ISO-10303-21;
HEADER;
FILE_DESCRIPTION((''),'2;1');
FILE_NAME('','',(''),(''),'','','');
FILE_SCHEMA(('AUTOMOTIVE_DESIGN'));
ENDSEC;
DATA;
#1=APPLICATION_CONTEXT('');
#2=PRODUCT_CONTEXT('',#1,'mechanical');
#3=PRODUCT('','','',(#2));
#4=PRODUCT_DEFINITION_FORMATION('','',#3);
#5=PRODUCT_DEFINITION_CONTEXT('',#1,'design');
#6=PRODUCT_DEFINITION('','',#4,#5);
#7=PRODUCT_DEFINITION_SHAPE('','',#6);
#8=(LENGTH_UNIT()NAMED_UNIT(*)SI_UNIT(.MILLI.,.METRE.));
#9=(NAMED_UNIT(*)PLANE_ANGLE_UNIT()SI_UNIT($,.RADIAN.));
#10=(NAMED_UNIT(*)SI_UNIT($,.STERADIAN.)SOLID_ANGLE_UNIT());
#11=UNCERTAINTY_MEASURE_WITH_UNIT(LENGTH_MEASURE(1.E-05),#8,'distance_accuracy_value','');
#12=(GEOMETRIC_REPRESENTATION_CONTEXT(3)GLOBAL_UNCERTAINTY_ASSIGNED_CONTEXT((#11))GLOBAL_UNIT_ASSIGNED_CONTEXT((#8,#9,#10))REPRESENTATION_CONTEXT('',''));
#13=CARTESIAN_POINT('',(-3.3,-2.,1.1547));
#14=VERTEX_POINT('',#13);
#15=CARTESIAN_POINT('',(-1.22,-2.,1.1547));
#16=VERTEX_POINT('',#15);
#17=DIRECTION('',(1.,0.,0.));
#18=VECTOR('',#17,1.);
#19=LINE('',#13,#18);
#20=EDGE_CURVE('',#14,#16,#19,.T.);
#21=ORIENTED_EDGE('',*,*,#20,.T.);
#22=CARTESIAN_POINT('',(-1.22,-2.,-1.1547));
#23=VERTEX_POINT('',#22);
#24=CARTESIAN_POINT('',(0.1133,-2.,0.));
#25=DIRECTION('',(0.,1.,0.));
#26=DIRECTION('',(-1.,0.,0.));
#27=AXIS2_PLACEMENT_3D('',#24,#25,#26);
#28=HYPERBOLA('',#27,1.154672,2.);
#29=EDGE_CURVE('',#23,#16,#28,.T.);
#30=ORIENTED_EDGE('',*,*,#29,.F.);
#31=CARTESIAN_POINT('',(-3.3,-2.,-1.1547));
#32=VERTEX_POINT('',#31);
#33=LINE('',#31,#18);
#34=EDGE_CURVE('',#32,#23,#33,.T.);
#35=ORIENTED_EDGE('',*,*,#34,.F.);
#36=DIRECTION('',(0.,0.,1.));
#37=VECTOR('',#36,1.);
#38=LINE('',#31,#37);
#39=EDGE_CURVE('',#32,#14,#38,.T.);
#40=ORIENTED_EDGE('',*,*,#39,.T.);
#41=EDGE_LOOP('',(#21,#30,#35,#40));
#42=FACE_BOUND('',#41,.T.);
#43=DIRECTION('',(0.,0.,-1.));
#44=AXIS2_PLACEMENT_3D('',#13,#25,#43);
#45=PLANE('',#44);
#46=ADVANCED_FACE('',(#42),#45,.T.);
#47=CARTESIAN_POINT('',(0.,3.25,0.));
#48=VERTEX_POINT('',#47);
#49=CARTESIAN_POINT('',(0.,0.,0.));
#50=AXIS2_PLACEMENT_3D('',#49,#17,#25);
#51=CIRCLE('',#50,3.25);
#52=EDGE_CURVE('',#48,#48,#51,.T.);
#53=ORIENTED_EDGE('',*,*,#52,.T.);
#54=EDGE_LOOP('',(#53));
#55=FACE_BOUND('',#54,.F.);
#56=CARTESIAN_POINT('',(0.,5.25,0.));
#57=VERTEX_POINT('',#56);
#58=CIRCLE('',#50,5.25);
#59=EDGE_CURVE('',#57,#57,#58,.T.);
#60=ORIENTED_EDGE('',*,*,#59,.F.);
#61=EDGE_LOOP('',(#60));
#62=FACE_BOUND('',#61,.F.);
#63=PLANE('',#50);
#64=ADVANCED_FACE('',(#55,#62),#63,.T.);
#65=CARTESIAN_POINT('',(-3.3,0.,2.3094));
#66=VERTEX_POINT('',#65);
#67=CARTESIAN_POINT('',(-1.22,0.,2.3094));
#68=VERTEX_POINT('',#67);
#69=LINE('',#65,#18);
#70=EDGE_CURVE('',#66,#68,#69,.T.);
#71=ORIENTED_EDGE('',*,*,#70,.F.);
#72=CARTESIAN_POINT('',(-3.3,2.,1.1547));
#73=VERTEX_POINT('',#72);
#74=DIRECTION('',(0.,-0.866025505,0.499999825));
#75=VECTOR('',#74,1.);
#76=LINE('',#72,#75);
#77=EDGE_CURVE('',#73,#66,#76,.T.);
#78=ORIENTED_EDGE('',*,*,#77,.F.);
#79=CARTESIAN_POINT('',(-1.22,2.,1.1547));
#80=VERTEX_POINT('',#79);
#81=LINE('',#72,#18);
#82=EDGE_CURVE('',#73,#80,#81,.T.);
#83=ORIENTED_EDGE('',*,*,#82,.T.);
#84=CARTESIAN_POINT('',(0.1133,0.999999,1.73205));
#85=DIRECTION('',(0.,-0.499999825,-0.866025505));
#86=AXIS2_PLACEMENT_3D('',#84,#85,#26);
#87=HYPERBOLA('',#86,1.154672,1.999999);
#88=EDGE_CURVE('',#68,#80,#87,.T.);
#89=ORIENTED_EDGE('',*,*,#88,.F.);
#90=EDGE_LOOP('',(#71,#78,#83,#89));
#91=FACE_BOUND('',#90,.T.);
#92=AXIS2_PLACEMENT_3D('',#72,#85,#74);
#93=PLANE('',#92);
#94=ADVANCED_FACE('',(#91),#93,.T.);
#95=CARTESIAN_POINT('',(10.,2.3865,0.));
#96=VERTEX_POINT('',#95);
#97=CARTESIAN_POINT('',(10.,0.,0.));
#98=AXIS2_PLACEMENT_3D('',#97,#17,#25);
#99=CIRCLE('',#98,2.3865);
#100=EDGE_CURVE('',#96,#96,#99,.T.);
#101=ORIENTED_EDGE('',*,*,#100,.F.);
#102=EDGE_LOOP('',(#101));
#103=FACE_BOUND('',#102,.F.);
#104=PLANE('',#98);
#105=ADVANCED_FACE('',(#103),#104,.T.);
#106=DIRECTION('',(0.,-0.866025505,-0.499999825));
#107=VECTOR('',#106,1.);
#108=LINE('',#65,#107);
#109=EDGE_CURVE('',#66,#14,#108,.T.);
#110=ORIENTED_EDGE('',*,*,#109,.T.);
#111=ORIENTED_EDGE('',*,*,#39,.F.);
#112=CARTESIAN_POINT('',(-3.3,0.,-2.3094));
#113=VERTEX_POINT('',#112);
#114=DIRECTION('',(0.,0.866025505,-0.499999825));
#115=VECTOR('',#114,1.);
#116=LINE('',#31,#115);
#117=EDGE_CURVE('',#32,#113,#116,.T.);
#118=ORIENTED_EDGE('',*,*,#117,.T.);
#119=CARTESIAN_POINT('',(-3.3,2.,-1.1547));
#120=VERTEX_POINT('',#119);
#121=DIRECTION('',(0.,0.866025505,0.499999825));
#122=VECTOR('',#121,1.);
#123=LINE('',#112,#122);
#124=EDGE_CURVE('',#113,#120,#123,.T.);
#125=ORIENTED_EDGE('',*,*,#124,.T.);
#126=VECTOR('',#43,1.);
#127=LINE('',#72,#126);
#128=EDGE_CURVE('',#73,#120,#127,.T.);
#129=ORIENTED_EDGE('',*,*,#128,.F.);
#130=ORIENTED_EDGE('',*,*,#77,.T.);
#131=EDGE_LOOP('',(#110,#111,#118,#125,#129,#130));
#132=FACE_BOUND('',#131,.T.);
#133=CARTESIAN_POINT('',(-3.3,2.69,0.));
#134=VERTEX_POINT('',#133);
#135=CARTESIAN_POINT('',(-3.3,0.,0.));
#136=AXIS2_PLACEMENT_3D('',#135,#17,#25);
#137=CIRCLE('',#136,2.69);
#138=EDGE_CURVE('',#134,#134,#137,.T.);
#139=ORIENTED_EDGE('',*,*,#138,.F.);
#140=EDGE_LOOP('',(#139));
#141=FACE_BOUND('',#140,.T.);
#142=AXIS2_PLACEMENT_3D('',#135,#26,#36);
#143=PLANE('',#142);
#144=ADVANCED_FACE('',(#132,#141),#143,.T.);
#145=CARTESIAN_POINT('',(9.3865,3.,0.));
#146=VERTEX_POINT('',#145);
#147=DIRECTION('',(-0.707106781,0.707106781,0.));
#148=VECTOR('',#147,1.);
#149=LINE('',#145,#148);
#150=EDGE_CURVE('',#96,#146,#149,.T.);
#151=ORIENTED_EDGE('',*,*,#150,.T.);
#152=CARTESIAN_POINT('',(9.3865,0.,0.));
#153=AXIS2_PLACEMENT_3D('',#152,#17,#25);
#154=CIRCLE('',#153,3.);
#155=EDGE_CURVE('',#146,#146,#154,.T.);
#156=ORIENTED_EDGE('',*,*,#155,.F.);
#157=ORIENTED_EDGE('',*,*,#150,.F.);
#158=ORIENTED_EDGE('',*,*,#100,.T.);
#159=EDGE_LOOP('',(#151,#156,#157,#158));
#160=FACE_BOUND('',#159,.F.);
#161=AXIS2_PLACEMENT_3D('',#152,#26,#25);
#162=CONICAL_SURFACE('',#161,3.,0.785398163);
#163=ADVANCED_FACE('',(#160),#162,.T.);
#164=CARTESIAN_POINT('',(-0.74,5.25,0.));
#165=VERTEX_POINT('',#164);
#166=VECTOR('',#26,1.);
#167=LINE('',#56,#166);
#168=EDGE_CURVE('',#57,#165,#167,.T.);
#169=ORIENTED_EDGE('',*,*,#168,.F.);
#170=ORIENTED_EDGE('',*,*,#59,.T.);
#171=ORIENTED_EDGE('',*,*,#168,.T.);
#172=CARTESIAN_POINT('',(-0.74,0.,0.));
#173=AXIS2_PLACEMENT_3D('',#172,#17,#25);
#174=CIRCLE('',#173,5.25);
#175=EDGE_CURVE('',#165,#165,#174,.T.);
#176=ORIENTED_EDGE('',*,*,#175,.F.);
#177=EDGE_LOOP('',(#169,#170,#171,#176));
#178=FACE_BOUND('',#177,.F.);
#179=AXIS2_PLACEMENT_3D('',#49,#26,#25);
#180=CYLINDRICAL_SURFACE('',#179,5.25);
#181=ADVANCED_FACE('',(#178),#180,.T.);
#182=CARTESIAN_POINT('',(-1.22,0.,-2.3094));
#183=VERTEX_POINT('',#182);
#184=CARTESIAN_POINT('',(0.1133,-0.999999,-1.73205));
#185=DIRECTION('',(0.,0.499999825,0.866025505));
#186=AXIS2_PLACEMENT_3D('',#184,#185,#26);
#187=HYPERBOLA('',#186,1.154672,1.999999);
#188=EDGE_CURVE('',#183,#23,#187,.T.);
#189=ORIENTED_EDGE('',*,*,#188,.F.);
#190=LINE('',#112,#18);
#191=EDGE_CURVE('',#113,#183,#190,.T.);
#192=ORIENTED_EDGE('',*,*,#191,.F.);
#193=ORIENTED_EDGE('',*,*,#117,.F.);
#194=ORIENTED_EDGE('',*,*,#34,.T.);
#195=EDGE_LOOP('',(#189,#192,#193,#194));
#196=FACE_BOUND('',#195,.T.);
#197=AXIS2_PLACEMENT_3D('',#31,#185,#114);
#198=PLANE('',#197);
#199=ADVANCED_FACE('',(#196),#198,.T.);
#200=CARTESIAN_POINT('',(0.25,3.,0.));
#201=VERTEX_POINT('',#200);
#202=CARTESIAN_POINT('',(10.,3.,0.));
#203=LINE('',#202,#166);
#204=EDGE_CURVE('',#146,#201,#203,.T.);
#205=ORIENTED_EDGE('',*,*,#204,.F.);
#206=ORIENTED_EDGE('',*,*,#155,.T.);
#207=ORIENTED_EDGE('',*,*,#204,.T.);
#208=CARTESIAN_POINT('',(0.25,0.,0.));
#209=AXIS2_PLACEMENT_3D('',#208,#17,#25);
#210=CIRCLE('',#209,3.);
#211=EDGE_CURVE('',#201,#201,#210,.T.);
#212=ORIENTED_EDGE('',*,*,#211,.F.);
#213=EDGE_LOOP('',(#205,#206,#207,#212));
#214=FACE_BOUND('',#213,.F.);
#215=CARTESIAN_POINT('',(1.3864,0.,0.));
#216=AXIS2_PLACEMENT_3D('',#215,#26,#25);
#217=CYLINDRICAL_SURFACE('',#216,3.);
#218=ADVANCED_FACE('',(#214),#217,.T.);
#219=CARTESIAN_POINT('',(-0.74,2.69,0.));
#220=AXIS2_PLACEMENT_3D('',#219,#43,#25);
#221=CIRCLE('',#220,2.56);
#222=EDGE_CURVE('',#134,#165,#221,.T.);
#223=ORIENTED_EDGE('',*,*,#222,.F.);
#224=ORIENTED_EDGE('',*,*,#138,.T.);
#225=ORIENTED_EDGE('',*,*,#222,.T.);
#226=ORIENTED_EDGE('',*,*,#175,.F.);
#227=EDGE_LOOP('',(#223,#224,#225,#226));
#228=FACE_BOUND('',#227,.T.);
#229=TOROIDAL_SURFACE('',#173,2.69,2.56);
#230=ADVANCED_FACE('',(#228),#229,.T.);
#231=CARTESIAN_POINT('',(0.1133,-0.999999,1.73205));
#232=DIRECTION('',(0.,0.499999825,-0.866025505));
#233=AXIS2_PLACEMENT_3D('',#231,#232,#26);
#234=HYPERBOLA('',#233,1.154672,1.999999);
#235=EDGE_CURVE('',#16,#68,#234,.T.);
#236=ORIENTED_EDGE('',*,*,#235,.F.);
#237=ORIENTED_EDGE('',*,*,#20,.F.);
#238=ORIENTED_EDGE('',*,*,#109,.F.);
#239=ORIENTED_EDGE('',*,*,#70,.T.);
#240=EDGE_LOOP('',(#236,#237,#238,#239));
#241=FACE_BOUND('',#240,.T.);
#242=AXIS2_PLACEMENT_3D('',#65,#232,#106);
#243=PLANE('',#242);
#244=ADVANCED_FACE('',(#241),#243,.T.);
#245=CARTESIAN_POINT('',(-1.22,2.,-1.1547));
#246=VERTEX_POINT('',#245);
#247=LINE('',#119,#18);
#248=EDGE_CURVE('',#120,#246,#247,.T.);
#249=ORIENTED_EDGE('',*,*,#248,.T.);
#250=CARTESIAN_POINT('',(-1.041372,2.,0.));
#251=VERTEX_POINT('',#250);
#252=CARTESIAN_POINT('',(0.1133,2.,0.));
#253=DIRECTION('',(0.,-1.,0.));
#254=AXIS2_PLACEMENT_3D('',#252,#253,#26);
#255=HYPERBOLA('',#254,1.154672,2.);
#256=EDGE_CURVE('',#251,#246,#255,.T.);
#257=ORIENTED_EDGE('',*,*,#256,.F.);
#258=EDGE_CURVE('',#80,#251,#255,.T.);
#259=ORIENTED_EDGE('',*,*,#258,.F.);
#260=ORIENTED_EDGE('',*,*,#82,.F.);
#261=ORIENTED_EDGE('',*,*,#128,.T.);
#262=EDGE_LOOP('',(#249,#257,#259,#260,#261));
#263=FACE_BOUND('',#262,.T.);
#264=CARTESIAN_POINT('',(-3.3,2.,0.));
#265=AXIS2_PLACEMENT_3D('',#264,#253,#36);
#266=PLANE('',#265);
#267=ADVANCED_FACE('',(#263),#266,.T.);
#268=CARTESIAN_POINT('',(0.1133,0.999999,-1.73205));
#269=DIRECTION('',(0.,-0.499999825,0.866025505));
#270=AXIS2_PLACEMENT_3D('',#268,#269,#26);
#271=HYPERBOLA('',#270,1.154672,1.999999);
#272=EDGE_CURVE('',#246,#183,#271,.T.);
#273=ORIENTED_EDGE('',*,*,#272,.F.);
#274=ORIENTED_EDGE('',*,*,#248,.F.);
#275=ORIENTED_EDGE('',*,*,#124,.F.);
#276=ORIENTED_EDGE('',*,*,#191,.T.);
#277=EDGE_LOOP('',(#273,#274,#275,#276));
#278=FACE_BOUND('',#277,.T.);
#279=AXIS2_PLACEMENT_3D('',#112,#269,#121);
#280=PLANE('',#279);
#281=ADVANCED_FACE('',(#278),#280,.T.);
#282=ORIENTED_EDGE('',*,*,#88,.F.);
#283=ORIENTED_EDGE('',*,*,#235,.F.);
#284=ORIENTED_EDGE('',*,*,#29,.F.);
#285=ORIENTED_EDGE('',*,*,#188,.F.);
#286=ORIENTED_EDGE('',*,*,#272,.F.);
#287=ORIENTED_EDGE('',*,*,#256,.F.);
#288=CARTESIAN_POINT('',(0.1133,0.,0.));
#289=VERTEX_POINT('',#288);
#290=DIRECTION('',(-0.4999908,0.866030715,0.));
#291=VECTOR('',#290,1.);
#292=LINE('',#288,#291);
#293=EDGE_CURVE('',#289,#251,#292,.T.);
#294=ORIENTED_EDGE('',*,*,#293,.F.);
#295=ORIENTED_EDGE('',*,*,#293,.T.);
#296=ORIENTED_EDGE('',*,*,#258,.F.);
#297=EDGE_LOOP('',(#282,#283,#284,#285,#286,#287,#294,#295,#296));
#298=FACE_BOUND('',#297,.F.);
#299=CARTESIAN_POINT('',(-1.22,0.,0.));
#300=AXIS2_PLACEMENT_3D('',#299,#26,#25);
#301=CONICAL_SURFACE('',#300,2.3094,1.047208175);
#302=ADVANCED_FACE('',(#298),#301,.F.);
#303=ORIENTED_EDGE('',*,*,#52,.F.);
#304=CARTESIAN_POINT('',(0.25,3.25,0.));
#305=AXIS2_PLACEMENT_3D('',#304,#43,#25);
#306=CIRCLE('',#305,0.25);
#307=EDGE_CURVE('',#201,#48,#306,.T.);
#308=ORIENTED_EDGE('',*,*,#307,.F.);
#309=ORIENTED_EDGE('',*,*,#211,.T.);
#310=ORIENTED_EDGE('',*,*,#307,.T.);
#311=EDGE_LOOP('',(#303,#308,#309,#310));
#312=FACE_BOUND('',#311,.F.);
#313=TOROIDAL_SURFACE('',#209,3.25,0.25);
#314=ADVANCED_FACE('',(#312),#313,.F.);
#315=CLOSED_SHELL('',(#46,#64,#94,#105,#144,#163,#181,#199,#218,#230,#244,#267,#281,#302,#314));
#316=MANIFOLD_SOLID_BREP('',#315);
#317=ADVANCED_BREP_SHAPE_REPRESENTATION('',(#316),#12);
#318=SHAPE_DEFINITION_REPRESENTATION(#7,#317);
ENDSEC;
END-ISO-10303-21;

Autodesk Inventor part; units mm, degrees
ref_plane "YZ Plane" through (0, 0, 0) normal (1, 0, 0) x (0, 1, 0)
ref_plane "XZ Plane" through (0, 0, 0) normal (0, 1, 0) x (-1, 0, 0)
sketch "Szkic1" plane through (0, 0, 0) normal (0, 0, 1) x (1, 0, 0)
  line L0 (0.1133, 0) -> (10, 0)
  line L1 (10, 0) -> (10, 3)
  line L2 (10, 3) -> (2, 3)
  line L3 (2, 3) -> (1.3864, 3)
  line L4 (1.3864, 3) -> (0, 3)
  line L5 (0, 3) -> (0, 5.25)
  line L6 (0, 5.25) -> (-3.3, 5.25)
  line L7 (-3.3, 5.25) -> (-3.3, 2.3094)
  line L8 (-3.3, 2.3094) -> (-1.22, 2.3094)
  line L9 (-1.22, 2.3094) -> (0.1133, 0)
  line L10 (-5.96, 0) -> (12.66, 0) projected
  line L11 (0, -1.05) -> (0, 6.3) projected
  line L12 (2, 3) -> (0, 3) construction
  dimension "d1" = 8
  dimension "d2" = 0.6136
  dimension "d3" = 3.3
  dimension "d4" = 2.08
  dimension "d5" = 60
  dimension "d6" = 6
  dimension "d7" = 6
  dimension "d8" = 4.6188
  dimension "d9" = 10.5
  dimension "d26" = 10
revolve "Bryła" add sketch "Szkic1" angle 360 about axis through (0.1133, 0, 0) along (1, 0, 0) contours L9 L11 L4 L3 L2 L1 L0 | L9 L8 L7 L6 L5 L11
sketch "Szkic2" plane through (-3.3, 0, 0) normal (-1, 0, 0) x (0, 0, 1)
  circle A0 centre (0, 0) radius 2.3094 projected
  line L0 (0, -7.35) -> (0, 7.35) projected
  line L1 (-7.35, 0) -> (7.35, 0) projected
  line L2 (2.3094, 0) -> (1.1547, -2)
  line L3 (1.1547, -2) -> (-1.1547, -2)
  line L4 (-1.1547, -2) -> (-2.3094, 0)
  line L5 (-2.3094, 0) -> (-1.1547, 2)
  line L6 (-1.1547, 2) -> (1.1547, 2)
  line L7 (1.1547, 2) -> (2.3094, 0)
extrude "Szczelina" add sketch "Szkic2" against normal up to next contours L7 A0 | A0 L2 | L6 L0 A0 | A0 L0 L3 | L0 L6 A0 | A0 L3 L0 | L4 A0 | A0 L5
fillet "Zaokrąglenie1" radius 2.56 1 edges at (-3.3, -5.25, 0)
thread "Gwint" size "M6x1" class "6g" standard "ISO Metric profile" length 8
chamfer "Faza1" distance 0.6135 distance2 0.6135 1 edges at (10, -3, 0) measured on face at (10, 0.705, 0.3049)
ref_plane "Work Plane1" through (29, 0, 0) normal (0, -1, 0) x (1, 0, 0)
fillet "Zaokrąglenie2" radius 0.25 1 edges at (0, -3, 0)
equation "\"d1\" = GEL"
equation "\"d3\" = KOH"
equation "\"d4\" = INTI"
equation "\"d6\" = GD"
equation "\"d7\" = BDM"
equation "\"d8\" = 1.1547 * SW"
equation "\"d9\" = KOD"
equation "\"d26\" = NLG"
equation "\"d17\" = RR"
equation "\"d13\" = GEL"
equation "\"d15\" = -0.5 * SPD + 0.5 * GD"
equation "\"d16\" = GUL"
equation "\"d30\" = R"
equation "\"GD\" = NND"
equation "\"NLG\" = 10"
equation "\"GEL\" = 8"
equation "\"KOD\" = 10.5"
equation "\"KOH\" = 3.3"
equation "\"INTI\" = 2.08"
equation "\"GAL\" = 0.61345 * PTC"
equation "\"GUL\" = 0.61345 * PTC"
equation "\"BDM\" = NND"
equation "\"SW\" = 4"
equation "\"RR\" = 2.56"
equation "\"SPD\" = NND - 1.2269 * PTC"
equation "\"R\" = 0.25"
equation "\"TOA\" = 30deg"
equation "\"GD1\" = THREADDIA - 1.2269 * PTC"
equation "\"THREADDIA\" = 6"
equation "\"PTC\" = 1"
equation "\"NND\" = 6"
equation "\"KOH1\" = 0.74"
equation "\"E0\" = 4.62"
properties part number "ISO 7380 - M6 x 10" material "Stal"
